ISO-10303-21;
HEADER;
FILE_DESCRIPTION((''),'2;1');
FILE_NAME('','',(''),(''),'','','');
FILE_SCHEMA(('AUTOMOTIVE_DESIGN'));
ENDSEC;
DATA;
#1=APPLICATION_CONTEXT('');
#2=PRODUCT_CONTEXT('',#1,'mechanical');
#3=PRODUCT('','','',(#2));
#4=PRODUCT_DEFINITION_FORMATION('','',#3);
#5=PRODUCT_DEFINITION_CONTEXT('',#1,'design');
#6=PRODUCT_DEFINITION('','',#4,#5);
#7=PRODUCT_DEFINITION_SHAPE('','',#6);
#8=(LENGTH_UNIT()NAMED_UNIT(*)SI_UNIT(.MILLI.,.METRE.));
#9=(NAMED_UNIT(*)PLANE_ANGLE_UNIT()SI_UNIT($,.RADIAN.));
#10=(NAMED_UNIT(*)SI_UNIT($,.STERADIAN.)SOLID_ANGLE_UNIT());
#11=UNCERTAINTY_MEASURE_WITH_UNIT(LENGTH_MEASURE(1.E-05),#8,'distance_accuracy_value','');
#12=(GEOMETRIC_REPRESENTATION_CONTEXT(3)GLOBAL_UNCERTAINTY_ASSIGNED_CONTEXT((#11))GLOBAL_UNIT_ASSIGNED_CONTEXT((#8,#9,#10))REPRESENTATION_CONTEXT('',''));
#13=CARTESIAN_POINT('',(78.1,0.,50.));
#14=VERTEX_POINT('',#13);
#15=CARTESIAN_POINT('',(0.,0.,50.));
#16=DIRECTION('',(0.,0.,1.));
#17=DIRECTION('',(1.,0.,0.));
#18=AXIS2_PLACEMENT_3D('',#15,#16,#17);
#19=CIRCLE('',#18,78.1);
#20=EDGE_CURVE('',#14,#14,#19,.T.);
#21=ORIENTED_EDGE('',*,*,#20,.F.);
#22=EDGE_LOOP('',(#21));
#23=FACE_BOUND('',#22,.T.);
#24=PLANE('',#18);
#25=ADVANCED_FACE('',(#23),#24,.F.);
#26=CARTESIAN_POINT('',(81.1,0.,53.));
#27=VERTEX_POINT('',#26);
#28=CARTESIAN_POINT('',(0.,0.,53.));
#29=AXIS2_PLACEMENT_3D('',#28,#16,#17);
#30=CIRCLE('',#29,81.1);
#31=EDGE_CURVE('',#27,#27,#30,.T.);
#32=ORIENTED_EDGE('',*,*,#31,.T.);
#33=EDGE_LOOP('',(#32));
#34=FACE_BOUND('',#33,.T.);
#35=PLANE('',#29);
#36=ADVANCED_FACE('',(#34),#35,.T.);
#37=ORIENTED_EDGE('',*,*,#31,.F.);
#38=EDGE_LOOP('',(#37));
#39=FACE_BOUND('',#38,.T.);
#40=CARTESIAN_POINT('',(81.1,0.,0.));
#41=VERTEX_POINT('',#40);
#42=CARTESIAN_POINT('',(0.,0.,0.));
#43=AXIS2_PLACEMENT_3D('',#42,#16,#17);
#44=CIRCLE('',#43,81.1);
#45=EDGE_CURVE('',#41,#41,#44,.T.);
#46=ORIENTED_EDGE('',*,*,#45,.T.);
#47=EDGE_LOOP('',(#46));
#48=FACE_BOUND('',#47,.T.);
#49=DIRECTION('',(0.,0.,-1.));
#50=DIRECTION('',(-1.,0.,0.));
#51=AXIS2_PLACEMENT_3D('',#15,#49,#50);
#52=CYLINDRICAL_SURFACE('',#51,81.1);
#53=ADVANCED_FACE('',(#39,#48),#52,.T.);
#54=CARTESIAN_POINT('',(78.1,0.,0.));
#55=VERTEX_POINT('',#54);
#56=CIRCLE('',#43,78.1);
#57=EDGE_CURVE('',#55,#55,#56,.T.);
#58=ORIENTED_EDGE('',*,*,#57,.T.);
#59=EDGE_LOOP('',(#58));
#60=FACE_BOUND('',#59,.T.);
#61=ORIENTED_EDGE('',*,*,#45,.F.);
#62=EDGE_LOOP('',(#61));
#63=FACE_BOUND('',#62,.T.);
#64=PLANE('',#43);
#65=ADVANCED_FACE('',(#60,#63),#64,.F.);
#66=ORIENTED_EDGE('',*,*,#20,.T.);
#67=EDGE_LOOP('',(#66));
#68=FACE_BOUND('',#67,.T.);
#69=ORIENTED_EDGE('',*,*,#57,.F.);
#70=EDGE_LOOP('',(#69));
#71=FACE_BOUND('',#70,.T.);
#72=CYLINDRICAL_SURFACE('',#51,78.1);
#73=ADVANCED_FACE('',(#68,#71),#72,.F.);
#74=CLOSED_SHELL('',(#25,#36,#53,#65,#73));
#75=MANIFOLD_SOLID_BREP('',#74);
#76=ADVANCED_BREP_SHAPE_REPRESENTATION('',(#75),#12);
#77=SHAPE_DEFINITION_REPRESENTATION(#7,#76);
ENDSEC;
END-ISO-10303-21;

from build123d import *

# Parameters (mm, degrees)
SKETCH_1_R      = 81.1
SKETCH_1_R_2    = 78.1
EXTRUDE_1_DEPTH = 50
SKETCH_2_R      = 81.1
EXTRUDE_2_DEPTH = 3


with BuildPart() as part:
    # 스케치1 → 보스-돌출1 (new body)
    with BuildSketch(Plane.XY):
        Circle(SKETCH_1_R)
        Circle(SKETCH_1_R_2, mode=Mode.SUBTRACT)
    extrude(amount=EXTRUDE_1_DEPTH)

    # 스케치2 → 보스-돌출2 (add)
    with BuildSketch(Plane.XY.offset(50)):
        Circle(SKETCH_2_R)
    extrude(amount=EXTRUDE_2_DEPTH)


solid = part.part
